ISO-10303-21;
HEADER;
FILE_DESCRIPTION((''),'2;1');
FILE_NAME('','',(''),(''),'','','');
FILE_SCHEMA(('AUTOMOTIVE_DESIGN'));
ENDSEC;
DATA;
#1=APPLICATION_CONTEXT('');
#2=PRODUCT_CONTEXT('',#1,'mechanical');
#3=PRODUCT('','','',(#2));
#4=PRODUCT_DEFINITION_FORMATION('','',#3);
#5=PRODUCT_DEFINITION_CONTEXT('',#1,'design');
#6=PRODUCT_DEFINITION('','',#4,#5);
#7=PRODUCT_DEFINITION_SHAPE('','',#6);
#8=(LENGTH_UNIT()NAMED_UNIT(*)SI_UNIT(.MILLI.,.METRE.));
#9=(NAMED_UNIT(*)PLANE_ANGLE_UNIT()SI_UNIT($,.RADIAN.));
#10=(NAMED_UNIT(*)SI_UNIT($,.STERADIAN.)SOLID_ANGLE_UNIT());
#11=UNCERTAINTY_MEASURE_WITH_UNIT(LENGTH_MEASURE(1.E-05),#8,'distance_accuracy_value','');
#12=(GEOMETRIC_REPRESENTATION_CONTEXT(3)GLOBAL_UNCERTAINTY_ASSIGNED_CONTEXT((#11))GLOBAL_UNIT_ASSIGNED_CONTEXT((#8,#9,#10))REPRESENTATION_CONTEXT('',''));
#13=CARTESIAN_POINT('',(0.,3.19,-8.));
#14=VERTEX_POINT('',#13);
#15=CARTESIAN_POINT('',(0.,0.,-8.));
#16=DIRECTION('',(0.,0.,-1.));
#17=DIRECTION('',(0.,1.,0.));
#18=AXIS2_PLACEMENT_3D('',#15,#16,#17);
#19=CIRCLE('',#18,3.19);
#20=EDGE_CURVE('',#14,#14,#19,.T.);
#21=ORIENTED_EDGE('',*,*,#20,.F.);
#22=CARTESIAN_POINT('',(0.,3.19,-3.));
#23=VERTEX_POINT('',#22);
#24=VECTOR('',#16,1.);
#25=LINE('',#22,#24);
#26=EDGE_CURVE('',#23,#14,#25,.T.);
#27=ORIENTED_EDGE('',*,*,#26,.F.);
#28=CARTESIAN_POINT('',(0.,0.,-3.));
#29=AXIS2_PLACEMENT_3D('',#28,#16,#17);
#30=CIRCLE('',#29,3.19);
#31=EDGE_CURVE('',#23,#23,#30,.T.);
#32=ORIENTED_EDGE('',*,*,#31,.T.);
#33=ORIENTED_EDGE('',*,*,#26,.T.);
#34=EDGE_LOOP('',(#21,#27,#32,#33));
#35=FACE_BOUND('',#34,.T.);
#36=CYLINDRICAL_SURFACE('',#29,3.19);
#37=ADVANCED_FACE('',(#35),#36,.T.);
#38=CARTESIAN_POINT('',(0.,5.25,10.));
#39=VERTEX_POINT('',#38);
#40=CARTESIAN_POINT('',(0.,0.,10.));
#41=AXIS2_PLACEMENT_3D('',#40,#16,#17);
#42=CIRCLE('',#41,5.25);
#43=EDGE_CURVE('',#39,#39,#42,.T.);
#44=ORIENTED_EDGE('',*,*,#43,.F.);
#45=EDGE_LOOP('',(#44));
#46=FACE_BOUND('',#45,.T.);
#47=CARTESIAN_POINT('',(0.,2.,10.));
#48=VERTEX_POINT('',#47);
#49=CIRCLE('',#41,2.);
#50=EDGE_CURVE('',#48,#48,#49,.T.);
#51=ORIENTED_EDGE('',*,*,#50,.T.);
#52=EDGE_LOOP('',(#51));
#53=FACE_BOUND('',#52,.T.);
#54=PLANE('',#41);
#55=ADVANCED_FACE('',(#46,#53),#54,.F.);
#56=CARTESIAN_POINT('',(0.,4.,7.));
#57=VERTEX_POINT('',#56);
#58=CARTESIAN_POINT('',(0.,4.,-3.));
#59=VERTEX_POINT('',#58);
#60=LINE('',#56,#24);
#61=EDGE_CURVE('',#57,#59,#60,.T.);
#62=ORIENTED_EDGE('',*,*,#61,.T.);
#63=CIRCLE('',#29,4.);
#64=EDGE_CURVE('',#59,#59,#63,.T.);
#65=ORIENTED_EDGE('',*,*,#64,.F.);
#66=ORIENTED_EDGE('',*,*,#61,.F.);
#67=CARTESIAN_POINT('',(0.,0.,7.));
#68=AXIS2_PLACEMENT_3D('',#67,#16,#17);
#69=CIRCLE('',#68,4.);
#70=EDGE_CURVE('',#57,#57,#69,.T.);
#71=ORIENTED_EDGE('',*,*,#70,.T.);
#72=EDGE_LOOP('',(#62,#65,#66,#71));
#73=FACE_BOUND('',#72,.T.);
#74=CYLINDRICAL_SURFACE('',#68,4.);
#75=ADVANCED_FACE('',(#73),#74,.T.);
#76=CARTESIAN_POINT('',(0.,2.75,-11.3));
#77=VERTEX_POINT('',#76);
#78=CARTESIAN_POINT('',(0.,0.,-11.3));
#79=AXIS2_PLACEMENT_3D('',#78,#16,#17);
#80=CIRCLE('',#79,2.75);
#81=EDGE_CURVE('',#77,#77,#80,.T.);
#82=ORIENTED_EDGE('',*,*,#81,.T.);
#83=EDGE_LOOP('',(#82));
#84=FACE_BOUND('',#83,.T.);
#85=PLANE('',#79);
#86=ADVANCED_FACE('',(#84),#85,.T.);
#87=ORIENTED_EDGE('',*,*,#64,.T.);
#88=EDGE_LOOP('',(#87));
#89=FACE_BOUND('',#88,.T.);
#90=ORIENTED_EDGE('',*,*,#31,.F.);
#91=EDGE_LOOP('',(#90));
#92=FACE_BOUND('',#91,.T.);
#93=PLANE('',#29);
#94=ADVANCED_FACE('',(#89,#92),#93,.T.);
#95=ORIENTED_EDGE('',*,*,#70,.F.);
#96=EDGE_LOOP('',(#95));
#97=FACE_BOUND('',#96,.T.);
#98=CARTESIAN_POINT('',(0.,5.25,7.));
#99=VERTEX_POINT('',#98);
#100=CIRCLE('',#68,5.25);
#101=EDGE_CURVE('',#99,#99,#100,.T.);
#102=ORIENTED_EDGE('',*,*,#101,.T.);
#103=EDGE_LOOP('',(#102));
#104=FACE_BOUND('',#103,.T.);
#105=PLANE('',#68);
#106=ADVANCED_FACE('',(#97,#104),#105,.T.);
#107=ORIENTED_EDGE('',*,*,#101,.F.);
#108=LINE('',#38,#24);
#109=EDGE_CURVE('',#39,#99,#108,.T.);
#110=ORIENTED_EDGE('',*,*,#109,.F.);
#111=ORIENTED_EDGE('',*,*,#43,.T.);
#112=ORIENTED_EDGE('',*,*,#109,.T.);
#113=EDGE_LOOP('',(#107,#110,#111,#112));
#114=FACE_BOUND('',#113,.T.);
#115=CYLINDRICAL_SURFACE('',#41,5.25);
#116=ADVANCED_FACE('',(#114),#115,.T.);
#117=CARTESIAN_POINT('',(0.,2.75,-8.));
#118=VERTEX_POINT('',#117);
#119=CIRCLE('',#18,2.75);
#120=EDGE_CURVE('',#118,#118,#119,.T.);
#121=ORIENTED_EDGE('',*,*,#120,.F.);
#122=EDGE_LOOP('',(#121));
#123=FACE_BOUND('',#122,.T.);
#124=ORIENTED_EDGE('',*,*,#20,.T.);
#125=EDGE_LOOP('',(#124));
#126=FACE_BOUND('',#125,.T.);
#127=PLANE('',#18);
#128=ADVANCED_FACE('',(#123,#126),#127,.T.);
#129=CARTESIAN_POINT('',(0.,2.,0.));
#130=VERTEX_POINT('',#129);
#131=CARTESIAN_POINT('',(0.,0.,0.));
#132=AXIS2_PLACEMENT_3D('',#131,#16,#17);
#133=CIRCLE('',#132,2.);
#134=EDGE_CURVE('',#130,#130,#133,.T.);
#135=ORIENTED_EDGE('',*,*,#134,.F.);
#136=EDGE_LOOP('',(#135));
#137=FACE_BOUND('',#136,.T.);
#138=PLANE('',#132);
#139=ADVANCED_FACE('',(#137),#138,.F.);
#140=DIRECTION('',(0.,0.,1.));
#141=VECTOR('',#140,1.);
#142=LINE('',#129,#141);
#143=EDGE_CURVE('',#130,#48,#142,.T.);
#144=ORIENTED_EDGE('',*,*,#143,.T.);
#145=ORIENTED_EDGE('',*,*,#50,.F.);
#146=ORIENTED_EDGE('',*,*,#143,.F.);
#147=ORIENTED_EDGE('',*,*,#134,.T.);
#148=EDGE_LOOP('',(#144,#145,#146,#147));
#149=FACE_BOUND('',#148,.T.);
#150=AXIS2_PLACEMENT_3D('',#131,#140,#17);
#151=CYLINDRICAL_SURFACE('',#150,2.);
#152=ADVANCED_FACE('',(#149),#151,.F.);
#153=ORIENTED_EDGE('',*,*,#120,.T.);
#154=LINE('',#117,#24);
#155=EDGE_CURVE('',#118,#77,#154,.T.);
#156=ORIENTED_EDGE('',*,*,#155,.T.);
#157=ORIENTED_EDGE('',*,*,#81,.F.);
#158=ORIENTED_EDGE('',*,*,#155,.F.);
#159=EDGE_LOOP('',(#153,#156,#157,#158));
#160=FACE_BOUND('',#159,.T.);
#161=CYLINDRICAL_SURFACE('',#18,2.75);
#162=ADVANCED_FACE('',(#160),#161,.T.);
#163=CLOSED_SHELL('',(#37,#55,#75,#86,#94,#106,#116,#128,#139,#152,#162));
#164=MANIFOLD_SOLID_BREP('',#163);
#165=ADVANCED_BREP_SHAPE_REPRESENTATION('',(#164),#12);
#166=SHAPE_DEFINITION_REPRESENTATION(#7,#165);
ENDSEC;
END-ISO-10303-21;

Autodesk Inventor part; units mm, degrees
ref_plane "YZ Plane" through (0, 0, 0) normal (1, 0, 0) x (0, 1, 0)
ref_plane "XZ Plane" through (0, 0, 0) normal (0, 1, 0) x (-1, 0, 0)
ref_plane "XY Plane" through (0, 0, 0) normal (0, 0, 1) x (1, 0, 0)
sketch "Sketch1" plane through (0, 0, 0) normal (1, 0, 0) x (0, 1, 0)
  line L0 (0, 12.6765) -> (0, -12.6765)
  line L1 (0, 0) -> (2, 0)
  line L2 (2, 0) -> (2, 10)
  line L3 (2, 10) -> (5.25, 10)
  line L4 (5.25, 10) -> (5.25, 7)
  line L5 (5.25, 7) -> (4, 7)
  line L6 (4, 7) -> (4, -3)
  line L7 (4, -3) -> (3.19, -3)
  line L8 (3.19, -3) -> (3.19, -8)
  line L9 (3.19, -8) -> (2.75, -8)
  line L10 (2.75, -8) -> (2.75, -11.3)
  line L11 (2.75, -11.3) -> (0, -11.3)
  line L12 (0, -11.3) -> (0, 0)
  line L13 (2.75, -18.5) -> (0, -18.5) construction
  point P0 (2, 5)
  dimension "d0" = 4
  dimension "d1" = 3
  dimension "d2" = 10
  dimension "d3" = 10.5
  dimension "d4" = 8
  dimension "d5" = 6.38
  dimension "d6" = 5.5
  dimension "d7" = 28.5
  dimension "d8" = 10.5
  dimension "d9" = 21.3
  dimension "d10" = 13
revolve "Revolution1" add sketch "Sketch1" angle 360 about axis through (0, 0, 12.6765) along (0, 0, -1)
properties part number "A-2.103-B"
